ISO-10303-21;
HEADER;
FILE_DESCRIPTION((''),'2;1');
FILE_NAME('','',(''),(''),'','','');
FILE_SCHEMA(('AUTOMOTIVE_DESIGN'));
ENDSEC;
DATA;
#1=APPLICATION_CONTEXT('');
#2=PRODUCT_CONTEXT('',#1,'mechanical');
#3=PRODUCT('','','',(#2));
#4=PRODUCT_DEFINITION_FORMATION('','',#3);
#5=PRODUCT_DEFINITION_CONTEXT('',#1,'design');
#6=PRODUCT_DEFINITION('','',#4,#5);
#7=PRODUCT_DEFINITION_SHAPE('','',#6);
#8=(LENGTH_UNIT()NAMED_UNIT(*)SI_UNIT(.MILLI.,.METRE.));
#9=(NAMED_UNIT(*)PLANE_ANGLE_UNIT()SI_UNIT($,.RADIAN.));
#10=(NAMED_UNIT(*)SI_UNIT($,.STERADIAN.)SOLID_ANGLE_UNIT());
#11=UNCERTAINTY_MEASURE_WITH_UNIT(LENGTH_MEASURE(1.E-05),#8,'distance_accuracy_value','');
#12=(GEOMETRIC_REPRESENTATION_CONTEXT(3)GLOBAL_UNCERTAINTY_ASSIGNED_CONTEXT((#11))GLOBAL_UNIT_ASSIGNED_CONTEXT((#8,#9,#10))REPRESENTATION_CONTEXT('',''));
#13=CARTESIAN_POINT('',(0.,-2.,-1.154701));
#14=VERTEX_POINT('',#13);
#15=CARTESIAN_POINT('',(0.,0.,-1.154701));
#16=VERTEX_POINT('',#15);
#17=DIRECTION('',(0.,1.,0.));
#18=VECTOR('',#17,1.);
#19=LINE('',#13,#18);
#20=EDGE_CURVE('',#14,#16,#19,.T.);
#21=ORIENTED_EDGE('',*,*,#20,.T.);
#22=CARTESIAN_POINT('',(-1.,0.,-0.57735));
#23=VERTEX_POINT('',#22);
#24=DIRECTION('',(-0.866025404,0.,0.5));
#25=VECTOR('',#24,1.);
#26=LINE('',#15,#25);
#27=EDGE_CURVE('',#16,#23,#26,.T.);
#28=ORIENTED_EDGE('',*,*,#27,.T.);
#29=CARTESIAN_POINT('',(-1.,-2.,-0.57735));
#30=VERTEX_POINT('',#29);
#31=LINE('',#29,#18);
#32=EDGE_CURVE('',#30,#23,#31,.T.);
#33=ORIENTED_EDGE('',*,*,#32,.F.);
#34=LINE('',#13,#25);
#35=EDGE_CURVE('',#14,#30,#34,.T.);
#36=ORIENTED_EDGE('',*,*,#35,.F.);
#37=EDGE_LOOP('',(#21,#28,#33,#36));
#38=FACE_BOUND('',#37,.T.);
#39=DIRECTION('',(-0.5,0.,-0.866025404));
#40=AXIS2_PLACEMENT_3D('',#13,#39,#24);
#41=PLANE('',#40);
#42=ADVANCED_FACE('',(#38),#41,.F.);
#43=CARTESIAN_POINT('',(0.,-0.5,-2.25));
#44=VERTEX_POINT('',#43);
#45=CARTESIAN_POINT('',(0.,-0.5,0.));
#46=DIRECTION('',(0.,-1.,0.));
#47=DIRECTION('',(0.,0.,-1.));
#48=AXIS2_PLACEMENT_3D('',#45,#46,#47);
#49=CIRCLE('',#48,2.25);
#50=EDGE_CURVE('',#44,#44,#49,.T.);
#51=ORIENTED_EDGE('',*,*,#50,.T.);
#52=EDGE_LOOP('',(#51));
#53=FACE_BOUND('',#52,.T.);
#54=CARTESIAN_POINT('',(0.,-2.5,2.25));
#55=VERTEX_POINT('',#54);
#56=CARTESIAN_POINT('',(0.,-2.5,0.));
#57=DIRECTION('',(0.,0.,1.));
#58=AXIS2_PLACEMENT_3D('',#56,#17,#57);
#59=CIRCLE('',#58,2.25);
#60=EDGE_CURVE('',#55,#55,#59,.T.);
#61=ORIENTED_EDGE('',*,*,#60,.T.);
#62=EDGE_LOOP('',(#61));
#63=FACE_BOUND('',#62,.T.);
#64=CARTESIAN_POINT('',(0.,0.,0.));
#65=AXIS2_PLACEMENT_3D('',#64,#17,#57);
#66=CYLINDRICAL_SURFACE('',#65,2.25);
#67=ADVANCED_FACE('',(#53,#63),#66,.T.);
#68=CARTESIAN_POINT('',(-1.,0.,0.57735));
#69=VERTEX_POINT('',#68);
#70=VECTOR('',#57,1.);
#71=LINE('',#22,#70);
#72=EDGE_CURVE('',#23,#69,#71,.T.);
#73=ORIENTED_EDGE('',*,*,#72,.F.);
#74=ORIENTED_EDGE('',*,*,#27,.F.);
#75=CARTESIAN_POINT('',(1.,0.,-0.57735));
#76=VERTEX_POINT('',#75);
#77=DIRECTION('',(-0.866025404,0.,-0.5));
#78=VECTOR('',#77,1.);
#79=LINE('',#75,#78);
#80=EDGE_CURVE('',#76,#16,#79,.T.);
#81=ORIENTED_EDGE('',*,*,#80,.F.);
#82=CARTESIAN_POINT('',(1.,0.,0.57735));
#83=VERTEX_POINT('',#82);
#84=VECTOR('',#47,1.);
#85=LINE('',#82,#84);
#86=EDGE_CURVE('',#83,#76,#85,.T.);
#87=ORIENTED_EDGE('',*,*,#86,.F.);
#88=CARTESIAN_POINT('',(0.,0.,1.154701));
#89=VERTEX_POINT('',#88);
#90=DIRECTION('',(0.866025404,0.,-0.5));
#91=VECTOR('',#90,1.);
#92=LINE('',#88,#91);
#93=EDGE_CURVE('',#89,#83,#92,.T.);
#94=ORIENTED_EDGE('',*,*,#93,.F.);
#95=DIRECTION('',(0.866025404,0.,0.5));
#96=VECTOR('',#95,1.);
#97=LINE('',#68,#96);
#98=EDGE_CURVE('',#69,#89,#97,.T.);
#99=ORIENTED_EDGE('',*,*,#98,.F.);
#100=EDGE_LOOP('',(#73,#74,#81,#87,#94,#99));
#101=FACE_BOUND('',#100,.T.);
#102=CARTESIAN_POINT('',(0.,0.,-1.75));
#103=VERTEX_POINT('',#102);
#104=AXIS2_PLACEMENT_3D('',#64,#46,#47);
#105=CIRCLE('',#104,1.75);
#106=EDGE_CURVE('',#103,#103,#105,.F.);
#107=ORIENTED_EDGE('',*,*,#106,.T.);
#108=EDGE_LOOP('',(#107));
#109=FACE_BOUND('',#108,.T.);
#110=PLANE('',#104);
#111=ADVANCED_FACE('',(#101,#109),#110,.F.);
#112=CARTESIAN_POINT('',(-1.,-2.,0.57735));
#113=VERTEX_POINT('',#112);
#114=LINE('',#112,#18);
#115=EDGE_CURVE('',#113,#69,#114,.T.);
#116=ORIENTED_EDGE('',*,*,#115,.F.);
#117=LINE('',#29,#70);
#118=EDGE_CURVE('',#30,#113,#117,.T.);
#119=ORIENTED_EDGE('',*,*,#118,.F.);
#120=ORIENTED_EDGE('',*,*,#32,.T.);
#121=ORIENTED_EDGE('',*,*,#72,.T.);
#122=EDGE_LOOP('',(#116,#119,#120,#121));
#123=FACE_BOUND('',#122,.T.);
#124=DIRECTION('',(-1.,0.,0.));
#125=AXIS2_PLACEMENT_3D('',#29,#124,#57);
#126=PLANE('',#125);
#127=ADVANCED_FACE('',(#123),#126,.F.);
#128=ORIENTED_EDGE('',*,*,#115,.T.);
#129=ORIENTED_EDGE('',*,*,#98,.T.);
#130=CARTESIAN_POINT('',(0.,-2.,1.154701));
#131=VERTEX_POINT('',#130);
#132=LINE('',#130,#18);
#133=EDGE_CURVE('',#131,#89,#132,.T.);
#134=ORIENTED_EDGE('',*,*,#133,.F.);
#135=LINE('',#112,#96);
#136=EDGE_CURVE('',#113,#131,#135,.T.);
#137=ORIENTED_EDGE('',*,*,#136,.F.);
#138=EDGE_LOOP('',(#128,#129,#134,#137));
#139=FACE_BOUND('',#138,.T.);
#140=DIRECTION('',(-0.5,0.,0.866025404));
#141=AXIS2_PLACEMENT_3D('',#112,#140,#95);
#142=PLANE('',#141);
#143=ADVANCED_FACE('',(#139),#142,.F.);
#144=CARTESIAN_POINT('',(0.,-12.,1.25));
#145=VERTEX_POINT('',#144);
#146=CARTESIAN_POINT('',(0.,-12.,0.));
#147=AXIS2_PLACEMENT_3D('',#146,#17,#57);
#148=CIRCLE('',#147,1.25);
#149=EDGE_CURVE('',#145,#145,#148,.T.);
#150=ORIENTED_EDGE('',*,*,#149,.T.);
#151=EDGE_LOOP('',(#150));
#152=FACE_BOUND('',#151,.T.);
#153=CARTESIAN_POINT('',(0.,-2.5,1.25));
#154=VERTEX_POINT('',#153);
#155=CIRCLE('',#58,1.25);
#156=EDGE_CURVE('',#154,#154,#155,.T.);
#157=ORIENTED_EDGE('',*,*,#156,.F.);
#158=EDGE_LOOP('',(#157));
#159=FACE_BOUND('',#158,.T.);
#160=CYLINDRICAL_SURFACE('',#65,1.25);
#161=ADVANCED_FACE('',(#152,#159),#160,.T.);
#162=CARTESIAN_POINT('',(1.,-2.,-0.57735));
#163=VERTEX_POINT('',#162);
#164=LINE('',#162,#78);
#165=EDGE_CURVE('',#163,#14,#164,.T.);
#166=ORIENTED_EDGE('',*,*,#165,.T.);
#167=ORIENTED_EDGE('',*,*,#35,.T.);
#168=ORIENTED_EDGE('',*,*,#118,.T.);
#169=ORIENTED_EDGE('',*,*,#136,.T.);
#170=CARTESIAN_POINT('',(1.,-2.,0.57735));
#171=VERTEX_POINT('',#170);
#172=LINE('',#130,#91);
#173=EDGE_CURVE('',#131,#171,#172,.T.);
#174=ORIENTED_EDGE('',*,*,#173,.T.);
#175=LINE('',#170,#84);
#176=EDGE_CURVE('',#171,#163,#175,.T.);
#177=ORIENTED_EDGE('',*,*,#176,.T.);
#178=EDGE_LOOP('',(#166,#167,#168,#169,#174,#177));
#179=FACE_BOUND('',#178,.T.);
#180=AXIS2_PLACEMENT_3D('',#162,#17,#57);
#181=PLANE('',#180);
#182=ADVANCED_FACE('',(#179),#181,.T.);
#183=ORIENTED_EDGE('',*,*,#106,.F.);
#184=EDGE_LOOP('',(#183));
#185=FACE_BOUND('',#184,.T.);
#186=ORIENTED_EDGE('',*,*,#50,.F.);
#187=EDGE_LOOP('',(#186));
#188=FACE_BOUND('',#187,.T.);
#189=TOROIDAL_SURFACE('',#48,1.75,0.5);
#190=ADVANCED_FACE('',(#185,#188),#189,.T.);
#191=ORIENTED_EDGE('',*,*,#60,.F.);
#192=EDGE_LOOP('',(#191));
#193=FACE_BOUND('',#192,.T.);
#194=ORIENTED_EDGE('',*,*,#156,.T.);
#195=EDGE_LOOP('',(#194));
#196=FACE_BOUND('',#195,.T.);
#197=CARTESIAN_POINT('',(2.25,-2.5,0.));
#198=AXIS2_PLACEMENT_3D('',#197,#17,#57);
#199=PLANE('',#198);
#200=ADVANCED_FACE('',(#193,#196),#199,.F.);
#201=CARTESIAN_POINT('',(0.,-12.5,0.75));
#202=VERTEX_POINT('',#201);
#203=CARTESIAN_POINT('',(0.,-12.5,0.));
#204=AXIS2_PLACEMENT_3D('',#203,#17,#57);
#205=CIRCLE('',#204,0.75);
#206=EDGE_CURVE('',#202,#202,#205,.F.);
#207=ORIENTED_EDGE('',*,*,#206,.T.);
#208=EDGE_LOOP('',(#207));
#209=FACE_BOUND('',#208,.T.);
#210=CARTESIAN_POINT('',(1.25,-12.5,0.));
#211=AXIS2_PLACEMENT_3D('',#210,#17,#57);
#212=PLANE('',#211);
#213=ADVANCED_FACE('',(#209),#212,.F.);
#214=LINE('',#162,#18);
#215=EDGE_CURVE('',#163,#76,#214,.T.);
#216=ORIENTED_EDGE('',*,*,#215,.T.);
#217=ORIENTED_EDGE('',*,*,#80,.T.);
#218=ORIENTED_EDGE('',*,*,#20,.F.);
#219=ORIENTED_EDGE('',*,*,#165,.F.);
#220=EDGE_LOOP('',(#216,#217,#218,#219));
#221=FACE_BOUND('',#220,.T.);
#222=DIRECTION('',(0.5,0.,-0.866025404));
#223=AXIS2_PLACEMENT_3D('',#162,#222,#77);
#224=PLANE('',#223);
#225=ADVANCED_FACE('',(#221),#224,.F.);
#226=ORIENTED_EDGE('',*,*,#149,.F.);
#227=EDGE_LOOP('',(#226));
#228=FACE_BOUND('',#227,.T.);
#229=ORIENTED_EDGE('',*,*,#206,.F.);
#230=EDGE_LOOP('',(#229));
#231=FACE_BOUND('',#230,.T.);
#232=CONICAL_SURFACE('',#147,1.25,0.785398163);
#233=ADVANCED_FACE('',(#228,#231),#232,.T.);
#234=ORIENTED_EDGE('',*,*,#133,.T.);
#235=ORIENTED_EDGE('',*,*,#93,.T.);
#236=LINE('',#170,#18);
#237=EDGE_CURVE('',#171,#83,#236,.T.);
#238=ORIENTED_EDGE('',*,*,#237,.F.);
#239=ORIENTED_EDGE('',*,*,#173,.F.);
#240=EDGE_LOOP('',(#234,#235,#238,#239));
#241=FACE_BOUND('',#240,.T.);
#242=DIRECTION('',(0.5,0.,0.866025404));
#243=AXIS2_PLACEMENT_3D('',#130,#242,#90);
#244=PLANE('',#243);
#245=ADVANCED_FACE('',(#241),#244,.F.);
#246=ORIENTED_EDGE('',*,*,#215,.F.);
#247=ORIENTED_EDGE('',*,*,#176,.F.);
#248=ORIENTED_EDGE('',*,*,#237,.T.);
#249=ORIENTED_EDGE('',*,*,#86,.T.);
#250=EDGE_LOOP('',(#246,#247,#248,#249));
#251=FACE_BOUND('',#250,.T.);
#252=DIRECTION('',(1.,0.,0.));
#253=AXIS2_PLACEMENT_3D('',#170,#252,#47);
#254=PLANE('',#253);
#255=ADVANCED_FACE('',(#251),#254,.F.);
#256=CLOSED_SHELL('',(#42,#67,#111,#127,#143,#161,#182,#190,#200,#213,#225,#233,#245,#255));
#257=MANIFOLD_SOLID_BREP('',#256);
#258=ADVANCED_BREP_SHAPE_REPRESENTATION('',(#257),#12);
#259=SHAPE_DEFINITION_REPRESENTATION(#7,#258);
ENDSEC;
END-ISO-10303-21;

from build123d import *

# Parameters (mm, degrees)
CORTAR_EXTRUIR1_DEPTH = 2
CHAFL_N1_SIZE         = 0.5
REDONDEO1_R           = 0.5


with BuildPart() as part:
    # Croquis1 → Revolución1 (revolve)
    with BuildSketch(Plane.XY):
        Polygon((0, 0), (2.25, 0), (2.25, -2.5), (1.25, -2.5), (1.25, -12.5), (0, -12.5), align=None)
    revolve(axis=Axis((0, 0, 0), (0, -1, 0)))

    # Croquis2 → Cortar-Extruir1 (cut)
    with BuildSketch(Plane(origin=(0, 0, 0), x_dir=(1, 0, 0), z_dir=(0, 1, 0))):
        Polygon((1, 0.577350269), (0, 1.154700538), (-1, 0.577350269), (-1, -0.577350269), (0, -1.154700538), (1, -0.577350269), align=None)
    extrude(amount=-CORTAR_EXTRUIR1_DEPTH, mode=Mode.SUBTRACT)

    # Chaflán1
    chafl_n1_edges = [part.edges().sort_by_distance(p)[0] for p in [
        (-1.25, -12.5, 0),
    ]]
    chamfer(chafl_n1_edges, length=CHAFL_N1_SIZE)

    # Redondeo1
    redondeo1_edges = [part.edges().sort_by_distance(p)[0] for p in [
        (-2.25, 0, 0),
    ]]
    fillet(redondeo1_edges, radius=REDONDEO1_R)


solid = part.part
